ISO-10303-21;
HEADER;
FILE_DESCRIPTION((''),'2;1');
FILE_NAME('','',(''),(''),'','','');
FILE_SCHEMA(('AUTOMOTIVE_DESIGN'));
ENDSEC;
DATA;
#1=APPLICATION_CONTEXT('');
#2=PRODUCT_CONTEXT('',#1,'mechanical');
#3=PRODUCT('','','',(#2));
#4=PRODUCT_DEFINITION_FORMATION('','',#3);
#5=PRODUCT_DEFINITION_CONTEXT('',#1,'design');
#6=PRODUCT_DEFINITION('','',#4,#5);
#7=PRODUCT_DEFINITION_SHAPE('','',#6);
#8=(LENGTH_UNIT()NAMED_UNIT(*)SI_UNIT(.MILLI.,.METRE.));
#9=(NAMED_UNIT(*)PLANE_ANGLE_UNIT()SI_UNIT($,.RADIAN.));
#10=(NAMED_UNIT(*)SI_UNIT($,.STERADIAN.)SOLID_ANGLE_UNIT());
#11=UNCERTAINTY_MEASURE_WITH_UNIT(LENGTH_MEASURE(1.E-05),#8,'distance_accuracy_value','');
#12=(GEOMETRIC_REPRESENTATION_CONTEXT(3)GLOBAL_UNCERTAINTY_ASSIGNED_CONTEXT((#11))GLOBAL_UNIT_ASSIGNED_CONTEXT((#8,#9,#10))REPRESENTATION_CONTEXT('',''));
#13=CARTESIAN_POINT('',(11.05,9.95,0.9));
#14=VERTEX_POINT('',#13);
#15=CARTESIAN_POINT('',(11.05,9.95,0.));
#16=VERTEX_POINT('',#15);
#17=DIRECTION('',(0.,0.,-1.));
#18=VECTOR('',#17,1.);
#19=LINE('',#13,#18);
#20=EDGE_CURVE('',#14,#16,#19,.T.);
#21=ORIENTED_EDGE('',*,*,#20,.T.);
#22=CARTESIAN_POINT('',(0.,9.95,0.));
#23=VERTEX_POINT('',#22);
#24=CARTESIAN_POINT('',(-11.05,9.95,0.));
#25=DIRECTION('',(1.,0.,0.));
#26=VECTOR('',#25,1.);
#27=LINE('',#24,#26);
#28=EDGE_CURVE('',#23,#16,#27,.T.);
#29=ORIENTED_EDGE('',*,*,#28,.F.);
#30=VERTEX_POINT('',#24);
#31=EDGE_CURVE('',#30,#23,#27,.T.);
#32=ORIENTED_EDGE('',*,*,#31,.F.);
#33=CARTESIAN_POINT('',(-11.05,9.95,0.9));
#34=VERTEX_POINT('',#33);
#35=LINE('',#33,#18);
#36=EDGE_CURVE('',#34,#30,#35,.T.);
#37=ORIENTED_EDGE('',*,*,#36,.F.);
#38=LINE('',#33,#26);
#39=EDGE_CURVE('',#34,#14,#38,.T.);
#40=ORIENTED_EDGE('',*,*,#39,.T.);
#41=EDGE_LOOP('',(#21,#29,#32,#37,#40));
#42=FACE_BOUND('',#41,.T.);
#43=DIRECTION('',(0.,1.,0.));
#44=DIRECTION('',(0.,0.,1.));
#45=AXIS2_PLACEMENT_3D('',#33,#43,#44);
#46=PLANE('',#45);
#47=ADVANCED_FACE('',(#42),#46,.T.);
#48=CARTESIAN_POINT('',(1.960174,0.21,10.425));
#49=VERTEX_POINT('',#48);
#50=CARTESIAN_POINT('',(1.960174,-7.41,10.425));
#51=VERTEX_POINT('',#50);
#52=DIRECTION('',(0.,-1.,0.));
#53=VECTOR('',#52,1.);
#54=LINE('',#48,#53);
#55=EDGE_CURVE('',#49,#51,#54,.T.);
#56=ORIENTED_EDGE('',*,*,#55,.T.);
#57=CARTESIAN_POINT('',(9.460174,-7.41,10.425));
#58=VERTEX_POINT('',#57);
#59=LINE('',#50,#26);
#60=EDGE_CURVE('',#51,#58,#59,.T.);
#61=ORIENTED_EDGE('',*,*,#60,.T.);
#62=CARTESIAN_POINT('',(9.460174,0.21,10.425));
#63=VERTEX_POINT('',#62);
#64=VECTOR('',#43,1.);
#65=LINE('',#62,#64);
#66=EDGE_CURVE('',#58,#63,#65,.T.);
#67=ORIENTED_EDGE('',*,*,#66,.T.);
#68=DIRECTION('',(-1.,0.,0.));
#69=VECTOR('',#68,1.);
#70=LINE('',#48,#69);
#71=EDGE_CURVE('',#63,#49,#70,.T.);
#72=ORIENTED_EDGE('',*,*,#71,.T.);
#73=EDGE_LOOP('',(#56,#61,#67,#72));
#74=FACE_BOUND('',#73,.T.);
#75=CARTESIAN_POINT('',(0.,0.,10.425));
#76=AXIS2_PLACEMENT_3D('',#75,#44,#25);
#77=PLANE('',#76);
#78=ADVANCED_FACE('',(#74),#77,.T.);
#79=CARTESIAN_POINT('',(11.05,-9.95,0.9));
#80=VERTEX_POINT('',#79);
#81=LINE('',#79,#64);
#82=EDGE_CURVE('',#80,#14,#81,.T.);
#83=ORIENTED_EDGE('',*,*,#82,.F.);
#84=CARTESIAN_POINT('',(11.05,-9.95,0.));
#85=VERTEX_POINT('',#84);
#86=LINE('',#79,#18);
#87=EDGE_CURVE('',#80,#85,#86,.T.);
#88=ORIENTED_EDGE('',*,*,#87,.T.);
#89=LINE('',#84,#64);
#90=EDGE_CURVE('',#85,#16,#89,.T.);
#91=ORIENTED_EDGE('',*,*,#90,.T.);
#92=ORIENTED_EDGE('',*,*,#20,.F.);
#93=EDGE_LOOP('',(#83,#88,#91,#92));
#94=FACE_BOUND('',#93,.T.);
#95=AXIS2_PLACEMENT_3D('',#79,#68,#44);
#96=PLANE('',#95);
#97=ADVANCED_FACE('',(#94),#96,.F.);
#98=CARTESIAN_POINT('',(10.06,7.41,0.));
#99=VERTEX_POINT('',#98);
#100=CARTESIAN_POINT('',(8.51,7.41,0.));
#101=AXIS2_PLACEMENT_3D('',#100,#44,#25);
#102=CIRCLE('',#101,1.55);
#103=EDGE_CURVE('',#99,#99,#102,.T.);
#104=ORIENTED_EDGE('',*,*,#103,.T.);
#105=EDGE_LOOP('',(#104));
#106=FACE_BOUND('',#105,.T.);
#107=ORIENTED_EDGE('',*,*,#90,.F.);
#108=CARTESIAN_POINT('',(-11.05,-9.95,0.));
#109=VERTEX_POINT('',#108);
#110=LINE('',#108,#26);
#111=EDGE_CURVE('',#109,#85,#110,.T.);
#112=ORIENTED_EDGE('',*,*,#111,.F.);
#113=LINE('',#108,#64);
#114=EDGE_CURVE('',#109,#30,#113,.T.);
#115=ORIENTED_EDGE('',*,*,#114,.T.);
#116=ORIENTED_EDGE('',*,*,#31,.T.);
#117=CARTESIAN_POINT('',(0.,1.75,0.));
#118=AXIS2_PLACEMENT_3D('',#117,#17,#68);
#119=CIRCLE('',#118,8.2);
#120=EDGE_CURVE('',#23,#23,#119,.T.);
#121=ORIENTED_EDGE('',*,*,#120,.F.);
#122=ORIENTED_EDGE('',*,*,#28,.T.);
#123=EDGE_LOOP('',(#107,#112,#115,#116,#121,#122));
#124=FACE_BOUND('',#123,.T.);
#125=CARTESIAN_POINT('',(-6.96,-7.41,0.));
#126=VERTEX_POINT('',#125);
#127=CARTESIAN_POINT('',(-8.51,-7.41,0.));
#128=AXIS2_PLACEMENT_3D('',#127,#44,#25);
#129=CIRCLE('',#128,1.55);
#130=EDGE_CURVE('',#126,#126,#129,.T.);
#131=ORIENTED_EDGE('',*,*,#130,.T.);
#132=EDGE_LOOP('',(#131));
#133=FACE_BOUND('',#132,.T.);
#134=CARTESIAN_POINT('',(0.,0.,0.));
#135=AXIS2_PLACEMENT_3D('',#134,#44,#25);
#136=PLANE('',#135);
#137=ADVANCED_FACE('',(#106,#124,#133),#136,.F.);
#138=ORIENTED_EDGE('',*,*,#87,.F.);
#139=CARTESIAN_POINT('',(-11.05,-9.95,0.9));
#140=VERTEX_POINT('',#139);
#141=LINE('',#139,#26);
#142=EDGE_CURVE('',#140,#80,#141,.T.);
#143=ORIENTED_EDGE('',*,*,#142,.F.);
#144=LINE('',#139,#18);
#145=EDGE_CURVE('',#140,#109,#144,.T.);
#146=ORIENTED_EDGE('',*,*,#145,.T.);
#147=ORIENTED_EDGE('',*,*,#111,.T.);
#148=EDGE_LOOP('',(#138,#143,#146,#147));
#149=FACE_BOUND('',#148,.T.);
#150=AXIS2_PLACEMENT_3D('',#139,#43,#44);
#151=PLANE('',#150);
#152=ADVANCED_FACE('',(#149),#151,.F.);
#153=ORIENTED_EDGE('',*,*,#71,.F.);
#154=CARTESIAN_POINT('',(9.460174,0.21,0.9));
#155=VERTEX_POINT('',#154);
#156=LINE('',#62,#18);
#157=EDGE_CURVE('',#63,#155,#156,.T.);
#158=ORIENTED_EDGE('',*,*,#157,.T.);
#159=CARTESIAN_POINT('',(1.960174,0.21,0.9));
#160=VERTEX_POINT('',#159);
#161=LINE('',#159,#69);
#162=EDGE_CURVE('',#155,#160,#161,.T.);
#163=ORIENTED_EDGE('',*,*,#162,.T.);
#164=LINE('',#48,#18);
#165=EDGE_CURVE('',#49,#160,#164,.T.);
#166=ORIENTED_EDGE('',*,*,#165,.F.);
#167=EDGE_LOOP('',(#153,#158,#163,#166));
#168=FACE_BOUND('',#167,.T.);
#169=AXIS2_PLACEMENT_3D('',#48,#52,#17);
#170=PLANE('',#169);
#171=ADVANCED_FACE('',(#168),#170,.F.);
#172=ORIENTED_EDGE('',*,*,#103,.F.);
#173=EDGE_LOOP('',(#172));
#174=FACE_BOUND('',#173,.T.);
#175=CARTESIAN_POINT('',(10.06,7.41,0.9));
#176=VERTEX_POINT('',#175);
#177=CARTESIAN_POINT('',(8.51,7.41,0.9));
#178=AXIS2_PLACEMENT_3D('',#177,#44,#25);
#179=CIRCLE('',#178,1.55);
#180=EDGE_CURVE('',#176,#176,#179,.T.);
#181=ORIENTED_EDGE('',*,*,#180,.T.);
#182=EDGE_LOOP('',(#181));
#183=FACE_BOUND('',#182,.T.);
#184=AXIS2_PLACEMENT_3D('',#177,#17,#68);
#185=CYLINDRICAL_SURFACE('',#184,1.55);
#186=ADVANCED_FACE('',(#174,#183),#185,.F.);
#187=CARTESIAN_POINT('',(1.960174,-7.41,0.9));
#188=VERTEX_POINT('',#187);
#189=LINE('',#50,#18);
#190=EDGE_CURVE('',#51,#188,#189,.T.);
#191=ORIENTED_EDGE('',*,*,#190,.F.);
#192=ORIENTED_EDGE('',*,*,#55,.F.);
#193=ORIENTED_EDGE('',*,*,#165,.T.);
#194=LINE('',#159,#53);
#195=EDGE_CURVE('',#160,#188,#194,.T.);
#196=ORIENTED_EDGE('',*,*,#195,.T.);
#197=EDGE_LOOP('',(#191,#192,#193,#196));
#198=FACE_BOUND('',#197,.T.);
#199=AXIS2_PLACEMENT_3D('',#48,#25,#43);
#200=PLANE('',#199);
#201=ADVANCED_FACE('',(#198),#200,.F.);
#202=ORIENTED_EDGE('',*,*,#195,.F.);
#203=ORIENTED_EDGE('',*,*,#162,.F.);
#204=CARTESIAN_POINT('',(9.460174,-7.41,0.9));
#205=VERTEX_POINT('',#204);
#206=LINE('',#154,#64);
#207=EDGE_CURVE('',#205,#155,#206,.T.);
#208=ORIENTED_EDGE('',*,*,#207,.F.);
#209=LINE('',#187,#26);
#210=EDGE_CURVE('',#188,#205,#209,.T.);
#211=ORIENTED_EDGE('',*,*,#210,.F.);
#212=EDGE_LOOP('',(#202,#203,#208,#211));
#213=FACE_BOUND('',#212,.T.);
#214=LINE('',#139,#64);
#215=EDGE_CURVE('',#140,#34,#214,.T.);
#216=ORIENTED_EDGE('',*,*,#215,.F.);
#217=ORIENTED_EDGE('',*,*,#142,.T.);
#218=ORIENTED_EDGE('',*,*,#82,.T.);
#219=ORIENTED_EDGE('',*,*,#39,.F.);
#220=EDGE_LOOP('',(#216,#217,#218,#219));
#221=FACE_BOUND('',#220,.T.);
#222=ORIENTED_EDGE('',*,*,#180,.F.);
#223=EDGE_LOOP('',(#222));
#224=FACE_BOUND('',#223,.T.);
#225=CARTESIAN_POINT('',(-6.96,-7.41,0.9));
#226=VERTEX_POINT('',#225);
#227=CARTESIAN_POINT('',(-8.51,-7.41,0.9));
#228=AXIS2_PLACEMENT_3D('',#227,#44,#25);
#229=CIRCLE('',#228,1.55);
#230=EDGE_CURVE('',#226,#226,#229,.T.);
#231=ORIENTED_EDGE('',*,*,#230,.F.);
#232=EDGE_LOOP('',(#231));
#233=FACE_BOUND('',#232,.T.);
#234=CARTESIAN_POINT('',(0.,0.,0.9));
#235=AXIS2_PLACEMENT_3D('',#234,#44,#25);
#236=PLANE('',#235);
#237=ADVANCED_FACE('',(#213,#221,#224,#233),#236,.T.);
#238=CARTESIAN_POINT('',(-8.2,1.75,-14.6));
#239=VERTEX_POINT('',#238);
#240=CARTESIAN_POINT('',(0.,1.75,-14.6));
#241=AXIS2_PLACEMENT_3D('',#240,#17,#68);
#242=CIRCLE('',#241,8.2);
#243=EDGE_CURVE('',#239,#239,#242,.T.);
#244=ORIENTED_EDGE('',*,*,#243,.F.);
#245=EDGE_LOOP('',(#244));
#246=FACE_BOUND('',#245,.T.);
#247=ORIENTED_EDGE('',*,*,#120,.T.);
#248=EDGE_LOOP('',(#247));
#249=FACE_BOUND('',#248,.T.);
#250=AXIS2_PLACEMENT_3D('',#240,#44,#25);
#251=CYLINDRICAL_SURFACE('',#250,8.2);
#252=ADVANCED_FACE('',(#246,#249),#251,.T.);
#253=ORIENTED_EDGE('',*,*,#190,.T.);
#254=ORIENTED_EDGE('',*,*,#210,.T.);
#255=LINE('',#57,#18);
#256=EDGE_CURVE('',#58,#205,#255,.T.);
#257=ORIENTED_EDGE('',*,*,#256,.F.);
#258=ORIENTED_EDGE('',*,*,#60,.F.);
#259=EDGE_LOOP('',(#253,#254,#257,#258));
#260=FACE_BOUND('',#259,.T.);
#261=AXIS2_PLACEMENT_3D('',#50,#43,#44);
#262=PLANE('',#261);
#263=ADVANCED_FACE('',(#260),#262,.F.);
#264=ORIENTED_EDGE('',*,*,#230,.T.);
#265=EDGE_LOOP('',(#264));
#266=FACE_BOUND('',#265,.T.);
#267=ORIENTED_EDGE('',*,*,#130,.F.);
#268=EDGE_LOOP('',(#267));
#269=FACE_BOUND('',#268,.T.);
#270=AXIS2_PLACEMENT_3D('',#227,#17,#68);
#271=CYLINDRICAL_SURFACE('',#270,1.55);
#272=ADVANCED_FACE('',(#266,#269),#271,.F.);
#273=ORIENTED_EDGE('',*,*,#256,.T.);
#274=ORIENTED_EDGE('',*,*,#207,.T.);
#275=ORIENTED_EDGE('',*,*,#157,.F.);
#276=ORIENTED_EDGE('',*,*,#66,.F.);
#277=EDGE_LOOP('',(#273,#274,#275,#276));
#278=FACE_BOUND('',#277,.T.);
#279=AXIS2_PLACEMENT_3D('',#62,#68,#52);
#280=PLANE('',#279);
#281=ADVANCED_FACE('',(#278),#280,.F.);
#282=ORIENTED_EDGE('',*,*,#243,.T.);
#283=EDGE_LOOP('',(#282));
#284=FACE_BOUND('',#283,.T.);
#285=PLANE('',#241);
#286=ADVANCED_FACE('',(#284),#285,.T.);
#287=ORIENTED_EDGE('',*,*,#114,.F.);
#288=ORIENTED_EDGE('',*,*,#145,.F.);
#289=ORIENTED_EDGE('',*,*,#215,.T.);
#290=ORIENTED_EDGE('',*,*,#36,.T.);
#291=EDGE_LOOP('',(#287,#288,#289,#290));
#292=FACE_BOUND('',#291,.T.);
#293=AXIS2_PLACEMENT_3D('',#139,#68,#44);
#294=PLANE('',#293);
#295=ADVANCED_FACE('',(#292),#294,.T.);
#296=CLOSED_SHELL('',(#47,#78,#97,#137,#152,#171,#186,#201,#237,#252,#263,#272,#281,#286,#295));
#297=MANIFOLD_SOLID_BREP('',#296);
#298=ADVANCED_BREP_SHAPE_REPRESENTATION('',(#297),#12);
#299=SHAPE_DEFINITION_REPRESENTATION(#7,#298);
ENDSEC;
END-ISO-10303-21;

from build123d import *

# Parameters (mm, degrees)
SKETCH2_W           = 22.1
SKETCH2_H           = 19.9
SKETCH2_R           = 1.55
BOSS_EXTRUDE1_DEPTH = 0.9
SKETCH3_W           = 7.5
SKETCH3_H           = 7.62
BOSS_EXTRUDE2_DEPTH = 9.525
SKETCH4_R           = 8.2
BOSS_EXTRUDE3_DEPTH = 14.6


with BuildPart() as part:
    # Sketch2 → Boss-Extrude1 (new body)
    with BuildSketch(Plane.XY):
        Rectangle(SKETCH2_W, SKETCH2_H)
        with Locations((-8.51, -7.41)):
            Circle(SKETCH2_R, mode=Mode.SUBTRACT)
        with Locations((8.51, 7.41)):
            Circle(SKETCH2_R, mode=Mode.SUBTRACT)
    extrude(amount=BOSS_EXTRUDE1_DEPTH)

    # Sketch3 → Boss-Extrude2 (add)
    with BuildSketch(Plane.XY.offset(0.9)):
        with Locations((5.710174181, -3.6)):
            Rectangle(SKETCH3_W, SKETCH3_H)
    extrude(amount=BOSS_EXTRUDE2_DEPTH)

    # Sketch4 → Boss-Extrude3 (add)
    with BuildSketch(Plane(origin=(0, 0, 0), x_dir=(-1, 0, 0), z_dir=(0, 0, -1))):
        with Locations((0, 1.75)):
            Circle(SKETCH4_R)
    extrude(amount=BOSS_EXTRUDE3_DEPTH)


solid = part.part
